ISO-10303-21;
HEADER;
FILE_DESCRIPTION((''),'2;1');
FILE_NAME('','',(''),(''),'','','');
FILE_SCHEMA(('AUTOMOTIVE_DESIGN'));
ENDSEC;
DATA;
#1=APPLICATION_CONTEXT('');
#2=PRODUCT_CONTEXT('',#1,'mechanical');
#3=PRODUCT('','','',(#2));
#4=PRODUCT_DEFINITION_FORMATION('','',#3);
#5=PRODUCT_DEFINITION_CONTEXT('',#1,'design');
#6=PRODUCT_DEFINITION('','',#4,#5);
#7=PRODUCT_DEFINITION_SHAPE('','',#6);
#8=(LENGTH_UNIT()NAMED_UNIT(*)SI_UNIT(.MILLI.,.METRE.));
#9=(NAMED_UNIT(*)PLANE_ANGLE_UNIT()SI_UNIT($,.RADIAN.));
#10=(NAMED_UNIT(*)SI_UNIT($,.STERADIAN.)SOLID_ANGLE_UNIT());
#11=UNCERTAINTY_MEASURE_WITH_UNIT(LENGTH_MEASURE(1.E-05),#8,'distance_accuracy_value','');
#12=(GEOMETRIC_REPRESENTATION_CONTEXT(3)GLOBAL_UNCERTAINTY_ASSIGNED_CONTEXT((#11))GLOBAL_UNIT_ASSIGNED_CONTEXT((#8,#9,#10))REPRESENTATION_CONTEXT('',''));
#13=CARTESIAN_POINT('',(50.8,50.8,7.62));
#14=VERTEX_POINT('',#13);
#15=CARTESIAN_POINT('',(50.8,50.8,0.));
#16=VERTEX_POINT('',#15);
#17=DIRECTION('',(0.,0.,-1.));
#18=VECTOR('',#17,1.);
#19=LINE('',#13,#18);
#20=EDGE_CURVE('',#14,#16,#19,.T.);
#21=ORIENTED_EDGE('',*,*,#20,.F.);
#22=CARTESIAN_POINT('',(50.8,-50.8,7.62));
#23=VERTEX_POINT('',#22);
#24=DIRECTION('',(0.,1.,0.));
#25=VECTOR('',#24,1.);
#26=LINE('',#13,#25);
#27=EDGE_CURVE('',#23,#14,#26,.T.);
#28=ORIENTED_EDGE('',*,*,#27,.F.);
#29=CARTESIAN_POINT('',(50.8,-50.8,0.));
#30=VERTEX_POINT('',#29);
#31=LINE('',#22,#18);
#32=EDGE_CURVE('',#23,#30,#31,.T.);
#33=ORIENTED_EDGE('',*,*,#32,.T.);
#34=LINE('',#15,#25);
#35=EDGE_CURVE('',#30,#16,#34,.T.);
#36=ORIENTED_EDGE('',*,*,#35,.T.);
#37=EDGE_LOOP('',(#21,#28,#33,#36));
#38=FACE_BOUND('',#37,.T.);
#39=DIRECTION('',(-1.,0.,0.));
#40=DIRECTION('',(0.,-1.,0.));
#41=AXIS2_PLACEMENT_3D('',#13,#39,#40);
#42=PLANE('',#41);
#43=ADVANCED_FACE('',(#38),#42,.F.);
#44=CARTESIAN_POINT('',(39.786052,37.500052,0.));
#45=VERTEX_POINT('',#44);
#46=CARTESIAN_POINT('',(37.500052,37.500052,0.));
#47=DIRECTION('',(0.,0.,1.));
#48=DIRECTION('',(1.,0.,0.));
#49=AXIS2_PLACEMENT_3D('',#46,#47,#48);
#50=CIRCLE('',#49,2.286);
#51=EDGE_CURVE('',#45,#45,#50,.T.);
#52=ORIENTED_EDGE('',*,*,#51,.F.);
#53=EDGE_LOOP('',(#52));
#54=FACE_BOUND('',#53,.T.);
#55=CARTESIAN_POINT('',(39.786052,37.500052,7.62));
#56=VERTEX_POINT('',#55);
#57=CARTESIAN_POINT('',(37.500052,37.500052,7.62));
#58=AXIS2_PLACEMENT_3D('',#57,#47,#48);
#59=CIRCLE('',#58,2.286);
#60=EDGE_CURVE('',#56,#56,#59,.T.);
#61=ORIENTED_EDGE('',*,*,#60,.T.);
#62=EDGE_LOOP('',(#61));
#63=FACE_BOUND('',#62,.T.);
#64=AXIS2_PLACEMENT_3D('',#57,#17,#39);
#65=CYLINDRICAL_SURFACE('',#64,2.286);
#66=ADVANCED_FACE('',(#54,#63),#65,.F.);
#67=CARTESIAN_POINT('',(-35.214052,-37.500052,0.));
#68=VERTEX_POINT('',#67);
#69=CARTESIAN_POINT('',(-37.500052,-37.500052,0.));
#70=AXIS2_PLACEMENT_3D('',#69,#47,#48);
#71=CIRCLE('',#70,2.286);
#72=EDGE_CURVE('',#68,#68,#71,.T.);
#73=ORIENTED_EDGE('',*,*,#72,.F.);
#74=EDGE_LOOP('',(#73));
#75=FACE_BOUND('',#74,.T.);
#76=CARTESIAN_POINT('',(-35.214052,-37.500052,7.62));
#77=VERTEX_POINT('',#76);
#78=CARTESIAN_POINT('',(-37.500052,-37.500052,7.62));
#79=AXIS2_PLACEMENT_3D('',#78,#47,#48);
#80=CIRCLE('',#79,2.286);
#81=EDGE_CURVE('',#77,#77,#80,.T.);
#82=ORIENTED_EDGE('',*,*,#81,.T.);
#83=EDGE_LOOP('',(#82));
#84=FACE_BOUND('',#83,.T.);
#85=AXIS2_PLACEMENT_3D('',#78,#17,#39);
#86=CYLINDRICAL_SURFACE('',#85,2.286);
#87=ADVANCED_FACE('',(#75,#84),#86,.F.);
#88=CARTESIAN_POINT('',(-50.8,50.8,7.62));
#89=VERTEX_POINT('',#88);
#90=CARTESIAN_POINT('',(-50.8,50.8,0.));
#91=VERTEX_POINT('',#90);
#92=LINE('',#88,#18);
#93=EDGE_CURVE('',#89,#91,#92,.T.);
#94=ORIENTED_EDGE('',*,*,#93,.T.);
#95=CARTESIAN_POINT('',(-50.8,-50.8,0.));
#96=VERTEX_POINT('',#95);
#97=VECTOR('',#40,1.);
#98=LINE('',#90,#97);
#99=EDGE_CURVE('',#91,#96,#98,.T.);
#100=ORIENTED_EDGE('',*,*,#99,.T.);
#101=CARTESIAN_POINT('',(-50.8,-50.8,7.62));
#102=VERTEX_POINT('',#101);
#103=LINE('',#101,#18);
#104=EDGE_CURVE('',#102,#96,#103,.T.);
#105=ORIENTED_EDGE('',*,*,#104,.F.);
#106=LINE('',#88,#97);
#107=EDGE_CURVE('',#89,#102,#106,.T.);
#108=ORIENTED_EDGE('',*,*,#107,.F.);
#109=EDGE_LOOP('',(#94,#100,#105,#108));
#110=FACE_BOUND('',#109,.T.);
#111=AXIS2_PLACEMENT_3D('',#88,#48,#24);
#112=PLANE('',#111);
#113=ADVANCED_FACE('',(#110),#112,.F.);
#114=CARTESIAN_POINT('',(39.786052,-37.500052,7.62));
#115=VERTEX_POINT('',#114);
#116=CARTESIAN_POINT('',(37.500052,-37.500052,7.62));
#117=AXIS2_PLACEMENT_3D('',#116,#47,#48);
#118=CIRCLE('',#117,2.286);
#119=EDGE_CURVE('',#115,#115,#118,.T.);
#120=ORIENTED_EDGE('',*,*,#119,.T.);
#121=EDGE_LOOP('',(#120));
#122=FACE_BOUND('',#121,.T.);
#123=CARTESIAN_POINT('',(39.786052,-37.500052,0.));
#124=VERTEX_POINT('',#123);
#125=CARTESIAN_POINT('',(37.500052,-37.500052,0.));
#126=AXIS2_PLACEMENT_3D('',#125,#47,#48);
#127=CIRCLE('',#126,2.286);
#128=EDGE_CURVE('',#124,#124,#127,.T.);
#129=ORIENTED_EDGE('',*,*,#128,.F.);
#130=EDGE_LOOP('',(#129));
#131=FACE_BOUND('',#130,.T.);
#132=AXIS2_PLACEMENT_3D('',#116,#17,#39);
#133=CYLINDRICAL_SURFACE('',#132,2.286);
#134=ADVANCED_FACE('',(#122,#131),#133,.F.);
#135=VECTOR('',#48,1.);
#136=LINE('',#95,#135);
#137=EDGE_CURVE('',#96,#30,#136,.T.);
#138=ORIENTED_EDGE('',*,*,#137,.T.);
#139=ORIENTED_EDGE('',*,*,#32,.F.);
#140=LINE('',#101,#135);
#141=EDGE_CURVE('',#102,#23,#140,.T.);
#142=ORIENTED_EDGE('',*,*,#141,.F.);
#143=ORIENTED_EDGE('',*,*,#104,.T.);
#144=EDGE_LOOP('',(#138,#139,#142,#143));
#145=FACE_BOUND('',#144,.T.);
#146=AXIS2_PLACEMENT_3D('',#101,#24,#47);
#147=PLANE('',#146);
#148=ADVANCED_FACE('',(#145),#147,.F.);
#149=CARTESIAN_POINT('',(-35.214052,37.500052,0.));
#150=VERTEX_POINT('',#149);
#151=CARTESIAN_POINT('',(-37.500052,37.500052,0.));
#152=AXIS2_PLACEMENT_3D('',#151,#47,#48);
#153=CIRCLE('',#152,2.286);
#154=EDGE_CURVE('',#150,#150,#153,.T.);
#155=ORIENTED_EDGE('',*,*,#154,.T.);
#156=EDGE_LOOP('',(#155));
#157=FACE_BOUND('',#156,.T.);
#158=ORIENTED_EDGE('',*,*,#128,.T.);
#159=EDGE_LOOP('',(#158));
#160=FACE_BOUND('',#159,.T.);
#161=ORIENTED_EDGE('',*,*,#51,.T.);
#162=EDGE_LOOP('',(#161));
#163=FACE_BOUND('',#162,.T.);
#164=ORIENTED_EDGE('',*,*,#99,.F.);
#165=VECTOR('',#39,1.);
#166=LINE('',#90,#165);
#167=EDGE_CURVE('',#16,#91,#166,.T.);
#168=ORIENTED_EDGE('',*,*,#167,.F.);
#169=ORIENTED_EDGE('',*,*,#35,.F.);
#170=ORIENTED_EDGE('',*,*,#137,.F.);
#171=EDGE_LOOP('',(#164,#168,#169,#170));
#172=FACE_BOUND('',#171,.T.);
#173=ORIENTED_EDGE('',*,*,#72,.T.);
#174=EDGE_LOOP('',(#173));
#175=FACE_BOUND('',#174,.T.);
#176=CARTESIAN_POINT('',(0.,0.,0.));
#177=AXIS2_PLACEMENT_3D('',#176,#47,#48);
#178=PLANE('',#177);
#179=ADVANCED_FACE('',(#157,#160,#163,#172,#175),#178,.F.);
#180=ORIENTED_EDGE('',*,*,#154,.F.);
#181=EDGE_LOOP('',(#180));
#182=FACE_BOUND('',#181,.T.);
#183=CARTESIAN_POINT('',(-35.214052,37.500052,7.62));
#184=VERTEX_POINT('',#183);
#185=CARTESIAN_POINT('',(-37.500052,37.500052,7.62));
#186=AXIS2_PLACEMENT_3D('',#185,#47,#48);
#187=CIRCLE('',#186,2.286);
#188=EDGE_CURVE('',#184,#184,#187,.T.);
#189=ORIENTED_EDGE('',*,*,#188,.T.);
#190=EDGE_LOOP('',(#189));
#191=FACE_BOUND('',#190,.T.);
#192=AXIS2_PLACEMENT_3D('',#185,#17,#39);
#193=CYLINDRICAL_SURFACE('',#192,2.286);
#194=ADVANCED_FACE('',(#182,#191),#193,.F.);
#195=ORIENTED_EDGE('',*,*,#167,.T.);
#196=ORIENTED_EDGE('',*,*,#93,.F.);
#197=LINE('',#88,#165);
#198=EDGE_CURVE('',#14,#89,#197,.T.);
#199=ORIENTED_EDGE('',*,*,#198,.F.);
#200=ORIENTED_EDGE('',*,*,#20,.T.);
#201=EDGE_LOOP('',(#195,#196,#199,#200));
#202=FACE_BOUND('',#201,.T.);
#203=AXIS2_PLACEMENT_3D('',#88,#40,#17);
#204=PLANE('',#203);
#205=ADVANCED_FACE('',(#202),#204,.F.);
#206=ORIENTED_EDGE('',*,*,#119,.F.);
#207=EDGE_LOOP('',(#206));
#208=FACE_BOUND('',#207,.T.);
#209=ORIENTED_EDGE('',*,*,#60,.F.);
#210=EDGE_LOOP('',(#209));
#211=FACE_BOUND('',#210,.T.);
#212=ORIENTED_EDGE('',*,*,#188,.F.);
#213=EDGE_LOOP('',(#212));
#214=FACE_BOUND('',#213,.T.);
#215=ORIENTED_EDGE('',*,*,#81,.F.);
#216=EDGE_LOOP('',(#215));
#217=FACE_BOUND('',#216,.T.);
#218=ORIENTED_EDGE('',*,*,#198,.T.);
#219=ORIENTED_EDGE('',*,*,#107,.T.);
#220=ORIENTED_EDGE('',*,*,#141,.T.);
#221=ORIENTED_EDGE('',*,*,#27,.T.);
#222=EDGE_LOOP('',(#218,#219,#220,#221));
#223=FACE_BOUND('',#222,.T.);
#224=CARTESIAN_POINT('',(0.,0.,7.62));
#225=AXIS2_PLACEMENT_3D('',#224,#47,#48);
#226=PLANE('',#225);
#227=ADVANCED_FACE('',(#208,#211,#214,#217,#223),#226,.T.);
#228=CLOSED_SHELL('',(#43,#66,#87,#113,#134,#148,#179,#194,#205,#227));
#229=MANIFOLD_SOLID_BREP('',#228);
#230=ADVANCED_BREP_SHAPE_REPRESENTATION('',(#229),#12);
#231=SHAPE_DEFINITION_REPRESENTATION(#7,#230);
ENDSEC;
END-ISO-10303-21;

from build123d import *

# Parameters (mm, degrees)
SKETCH1_W           = 101.6
SKETCH1_H           = 101.6
SKETCH1_R           = 2.286
BOSS_EXTRUDE1_DEPTH = 7.62


with BuildPart() as part:
    # Sketch1 → Boss-Extrude1 (new body)
    with BuildSketch(Plane.XY):
        Rectangle(SKETCH1_W, SKETCH1_H)
        with Locations((-37.500052, 37.500052)):
            Circle(SKETCH1_R, mode=Mode.SUBTRACT)
        with Locations((37.500052, 37.500052)):
            Circle(SKETCH1_R, mode=Mode.SUBTRACT)
        with Locations((37.500052, -37.500052)):
            Circle(SKETCH1_R, mode=Mode.SUBTRACT)
        with Locations((-37.500052, -37.500052)):
            Circle(SKETCH1_R, mode=Mode.SUBTRACT)
    extrude(amount=BOSS_EXTRUDE1_DEPTH)


solid = part.part
